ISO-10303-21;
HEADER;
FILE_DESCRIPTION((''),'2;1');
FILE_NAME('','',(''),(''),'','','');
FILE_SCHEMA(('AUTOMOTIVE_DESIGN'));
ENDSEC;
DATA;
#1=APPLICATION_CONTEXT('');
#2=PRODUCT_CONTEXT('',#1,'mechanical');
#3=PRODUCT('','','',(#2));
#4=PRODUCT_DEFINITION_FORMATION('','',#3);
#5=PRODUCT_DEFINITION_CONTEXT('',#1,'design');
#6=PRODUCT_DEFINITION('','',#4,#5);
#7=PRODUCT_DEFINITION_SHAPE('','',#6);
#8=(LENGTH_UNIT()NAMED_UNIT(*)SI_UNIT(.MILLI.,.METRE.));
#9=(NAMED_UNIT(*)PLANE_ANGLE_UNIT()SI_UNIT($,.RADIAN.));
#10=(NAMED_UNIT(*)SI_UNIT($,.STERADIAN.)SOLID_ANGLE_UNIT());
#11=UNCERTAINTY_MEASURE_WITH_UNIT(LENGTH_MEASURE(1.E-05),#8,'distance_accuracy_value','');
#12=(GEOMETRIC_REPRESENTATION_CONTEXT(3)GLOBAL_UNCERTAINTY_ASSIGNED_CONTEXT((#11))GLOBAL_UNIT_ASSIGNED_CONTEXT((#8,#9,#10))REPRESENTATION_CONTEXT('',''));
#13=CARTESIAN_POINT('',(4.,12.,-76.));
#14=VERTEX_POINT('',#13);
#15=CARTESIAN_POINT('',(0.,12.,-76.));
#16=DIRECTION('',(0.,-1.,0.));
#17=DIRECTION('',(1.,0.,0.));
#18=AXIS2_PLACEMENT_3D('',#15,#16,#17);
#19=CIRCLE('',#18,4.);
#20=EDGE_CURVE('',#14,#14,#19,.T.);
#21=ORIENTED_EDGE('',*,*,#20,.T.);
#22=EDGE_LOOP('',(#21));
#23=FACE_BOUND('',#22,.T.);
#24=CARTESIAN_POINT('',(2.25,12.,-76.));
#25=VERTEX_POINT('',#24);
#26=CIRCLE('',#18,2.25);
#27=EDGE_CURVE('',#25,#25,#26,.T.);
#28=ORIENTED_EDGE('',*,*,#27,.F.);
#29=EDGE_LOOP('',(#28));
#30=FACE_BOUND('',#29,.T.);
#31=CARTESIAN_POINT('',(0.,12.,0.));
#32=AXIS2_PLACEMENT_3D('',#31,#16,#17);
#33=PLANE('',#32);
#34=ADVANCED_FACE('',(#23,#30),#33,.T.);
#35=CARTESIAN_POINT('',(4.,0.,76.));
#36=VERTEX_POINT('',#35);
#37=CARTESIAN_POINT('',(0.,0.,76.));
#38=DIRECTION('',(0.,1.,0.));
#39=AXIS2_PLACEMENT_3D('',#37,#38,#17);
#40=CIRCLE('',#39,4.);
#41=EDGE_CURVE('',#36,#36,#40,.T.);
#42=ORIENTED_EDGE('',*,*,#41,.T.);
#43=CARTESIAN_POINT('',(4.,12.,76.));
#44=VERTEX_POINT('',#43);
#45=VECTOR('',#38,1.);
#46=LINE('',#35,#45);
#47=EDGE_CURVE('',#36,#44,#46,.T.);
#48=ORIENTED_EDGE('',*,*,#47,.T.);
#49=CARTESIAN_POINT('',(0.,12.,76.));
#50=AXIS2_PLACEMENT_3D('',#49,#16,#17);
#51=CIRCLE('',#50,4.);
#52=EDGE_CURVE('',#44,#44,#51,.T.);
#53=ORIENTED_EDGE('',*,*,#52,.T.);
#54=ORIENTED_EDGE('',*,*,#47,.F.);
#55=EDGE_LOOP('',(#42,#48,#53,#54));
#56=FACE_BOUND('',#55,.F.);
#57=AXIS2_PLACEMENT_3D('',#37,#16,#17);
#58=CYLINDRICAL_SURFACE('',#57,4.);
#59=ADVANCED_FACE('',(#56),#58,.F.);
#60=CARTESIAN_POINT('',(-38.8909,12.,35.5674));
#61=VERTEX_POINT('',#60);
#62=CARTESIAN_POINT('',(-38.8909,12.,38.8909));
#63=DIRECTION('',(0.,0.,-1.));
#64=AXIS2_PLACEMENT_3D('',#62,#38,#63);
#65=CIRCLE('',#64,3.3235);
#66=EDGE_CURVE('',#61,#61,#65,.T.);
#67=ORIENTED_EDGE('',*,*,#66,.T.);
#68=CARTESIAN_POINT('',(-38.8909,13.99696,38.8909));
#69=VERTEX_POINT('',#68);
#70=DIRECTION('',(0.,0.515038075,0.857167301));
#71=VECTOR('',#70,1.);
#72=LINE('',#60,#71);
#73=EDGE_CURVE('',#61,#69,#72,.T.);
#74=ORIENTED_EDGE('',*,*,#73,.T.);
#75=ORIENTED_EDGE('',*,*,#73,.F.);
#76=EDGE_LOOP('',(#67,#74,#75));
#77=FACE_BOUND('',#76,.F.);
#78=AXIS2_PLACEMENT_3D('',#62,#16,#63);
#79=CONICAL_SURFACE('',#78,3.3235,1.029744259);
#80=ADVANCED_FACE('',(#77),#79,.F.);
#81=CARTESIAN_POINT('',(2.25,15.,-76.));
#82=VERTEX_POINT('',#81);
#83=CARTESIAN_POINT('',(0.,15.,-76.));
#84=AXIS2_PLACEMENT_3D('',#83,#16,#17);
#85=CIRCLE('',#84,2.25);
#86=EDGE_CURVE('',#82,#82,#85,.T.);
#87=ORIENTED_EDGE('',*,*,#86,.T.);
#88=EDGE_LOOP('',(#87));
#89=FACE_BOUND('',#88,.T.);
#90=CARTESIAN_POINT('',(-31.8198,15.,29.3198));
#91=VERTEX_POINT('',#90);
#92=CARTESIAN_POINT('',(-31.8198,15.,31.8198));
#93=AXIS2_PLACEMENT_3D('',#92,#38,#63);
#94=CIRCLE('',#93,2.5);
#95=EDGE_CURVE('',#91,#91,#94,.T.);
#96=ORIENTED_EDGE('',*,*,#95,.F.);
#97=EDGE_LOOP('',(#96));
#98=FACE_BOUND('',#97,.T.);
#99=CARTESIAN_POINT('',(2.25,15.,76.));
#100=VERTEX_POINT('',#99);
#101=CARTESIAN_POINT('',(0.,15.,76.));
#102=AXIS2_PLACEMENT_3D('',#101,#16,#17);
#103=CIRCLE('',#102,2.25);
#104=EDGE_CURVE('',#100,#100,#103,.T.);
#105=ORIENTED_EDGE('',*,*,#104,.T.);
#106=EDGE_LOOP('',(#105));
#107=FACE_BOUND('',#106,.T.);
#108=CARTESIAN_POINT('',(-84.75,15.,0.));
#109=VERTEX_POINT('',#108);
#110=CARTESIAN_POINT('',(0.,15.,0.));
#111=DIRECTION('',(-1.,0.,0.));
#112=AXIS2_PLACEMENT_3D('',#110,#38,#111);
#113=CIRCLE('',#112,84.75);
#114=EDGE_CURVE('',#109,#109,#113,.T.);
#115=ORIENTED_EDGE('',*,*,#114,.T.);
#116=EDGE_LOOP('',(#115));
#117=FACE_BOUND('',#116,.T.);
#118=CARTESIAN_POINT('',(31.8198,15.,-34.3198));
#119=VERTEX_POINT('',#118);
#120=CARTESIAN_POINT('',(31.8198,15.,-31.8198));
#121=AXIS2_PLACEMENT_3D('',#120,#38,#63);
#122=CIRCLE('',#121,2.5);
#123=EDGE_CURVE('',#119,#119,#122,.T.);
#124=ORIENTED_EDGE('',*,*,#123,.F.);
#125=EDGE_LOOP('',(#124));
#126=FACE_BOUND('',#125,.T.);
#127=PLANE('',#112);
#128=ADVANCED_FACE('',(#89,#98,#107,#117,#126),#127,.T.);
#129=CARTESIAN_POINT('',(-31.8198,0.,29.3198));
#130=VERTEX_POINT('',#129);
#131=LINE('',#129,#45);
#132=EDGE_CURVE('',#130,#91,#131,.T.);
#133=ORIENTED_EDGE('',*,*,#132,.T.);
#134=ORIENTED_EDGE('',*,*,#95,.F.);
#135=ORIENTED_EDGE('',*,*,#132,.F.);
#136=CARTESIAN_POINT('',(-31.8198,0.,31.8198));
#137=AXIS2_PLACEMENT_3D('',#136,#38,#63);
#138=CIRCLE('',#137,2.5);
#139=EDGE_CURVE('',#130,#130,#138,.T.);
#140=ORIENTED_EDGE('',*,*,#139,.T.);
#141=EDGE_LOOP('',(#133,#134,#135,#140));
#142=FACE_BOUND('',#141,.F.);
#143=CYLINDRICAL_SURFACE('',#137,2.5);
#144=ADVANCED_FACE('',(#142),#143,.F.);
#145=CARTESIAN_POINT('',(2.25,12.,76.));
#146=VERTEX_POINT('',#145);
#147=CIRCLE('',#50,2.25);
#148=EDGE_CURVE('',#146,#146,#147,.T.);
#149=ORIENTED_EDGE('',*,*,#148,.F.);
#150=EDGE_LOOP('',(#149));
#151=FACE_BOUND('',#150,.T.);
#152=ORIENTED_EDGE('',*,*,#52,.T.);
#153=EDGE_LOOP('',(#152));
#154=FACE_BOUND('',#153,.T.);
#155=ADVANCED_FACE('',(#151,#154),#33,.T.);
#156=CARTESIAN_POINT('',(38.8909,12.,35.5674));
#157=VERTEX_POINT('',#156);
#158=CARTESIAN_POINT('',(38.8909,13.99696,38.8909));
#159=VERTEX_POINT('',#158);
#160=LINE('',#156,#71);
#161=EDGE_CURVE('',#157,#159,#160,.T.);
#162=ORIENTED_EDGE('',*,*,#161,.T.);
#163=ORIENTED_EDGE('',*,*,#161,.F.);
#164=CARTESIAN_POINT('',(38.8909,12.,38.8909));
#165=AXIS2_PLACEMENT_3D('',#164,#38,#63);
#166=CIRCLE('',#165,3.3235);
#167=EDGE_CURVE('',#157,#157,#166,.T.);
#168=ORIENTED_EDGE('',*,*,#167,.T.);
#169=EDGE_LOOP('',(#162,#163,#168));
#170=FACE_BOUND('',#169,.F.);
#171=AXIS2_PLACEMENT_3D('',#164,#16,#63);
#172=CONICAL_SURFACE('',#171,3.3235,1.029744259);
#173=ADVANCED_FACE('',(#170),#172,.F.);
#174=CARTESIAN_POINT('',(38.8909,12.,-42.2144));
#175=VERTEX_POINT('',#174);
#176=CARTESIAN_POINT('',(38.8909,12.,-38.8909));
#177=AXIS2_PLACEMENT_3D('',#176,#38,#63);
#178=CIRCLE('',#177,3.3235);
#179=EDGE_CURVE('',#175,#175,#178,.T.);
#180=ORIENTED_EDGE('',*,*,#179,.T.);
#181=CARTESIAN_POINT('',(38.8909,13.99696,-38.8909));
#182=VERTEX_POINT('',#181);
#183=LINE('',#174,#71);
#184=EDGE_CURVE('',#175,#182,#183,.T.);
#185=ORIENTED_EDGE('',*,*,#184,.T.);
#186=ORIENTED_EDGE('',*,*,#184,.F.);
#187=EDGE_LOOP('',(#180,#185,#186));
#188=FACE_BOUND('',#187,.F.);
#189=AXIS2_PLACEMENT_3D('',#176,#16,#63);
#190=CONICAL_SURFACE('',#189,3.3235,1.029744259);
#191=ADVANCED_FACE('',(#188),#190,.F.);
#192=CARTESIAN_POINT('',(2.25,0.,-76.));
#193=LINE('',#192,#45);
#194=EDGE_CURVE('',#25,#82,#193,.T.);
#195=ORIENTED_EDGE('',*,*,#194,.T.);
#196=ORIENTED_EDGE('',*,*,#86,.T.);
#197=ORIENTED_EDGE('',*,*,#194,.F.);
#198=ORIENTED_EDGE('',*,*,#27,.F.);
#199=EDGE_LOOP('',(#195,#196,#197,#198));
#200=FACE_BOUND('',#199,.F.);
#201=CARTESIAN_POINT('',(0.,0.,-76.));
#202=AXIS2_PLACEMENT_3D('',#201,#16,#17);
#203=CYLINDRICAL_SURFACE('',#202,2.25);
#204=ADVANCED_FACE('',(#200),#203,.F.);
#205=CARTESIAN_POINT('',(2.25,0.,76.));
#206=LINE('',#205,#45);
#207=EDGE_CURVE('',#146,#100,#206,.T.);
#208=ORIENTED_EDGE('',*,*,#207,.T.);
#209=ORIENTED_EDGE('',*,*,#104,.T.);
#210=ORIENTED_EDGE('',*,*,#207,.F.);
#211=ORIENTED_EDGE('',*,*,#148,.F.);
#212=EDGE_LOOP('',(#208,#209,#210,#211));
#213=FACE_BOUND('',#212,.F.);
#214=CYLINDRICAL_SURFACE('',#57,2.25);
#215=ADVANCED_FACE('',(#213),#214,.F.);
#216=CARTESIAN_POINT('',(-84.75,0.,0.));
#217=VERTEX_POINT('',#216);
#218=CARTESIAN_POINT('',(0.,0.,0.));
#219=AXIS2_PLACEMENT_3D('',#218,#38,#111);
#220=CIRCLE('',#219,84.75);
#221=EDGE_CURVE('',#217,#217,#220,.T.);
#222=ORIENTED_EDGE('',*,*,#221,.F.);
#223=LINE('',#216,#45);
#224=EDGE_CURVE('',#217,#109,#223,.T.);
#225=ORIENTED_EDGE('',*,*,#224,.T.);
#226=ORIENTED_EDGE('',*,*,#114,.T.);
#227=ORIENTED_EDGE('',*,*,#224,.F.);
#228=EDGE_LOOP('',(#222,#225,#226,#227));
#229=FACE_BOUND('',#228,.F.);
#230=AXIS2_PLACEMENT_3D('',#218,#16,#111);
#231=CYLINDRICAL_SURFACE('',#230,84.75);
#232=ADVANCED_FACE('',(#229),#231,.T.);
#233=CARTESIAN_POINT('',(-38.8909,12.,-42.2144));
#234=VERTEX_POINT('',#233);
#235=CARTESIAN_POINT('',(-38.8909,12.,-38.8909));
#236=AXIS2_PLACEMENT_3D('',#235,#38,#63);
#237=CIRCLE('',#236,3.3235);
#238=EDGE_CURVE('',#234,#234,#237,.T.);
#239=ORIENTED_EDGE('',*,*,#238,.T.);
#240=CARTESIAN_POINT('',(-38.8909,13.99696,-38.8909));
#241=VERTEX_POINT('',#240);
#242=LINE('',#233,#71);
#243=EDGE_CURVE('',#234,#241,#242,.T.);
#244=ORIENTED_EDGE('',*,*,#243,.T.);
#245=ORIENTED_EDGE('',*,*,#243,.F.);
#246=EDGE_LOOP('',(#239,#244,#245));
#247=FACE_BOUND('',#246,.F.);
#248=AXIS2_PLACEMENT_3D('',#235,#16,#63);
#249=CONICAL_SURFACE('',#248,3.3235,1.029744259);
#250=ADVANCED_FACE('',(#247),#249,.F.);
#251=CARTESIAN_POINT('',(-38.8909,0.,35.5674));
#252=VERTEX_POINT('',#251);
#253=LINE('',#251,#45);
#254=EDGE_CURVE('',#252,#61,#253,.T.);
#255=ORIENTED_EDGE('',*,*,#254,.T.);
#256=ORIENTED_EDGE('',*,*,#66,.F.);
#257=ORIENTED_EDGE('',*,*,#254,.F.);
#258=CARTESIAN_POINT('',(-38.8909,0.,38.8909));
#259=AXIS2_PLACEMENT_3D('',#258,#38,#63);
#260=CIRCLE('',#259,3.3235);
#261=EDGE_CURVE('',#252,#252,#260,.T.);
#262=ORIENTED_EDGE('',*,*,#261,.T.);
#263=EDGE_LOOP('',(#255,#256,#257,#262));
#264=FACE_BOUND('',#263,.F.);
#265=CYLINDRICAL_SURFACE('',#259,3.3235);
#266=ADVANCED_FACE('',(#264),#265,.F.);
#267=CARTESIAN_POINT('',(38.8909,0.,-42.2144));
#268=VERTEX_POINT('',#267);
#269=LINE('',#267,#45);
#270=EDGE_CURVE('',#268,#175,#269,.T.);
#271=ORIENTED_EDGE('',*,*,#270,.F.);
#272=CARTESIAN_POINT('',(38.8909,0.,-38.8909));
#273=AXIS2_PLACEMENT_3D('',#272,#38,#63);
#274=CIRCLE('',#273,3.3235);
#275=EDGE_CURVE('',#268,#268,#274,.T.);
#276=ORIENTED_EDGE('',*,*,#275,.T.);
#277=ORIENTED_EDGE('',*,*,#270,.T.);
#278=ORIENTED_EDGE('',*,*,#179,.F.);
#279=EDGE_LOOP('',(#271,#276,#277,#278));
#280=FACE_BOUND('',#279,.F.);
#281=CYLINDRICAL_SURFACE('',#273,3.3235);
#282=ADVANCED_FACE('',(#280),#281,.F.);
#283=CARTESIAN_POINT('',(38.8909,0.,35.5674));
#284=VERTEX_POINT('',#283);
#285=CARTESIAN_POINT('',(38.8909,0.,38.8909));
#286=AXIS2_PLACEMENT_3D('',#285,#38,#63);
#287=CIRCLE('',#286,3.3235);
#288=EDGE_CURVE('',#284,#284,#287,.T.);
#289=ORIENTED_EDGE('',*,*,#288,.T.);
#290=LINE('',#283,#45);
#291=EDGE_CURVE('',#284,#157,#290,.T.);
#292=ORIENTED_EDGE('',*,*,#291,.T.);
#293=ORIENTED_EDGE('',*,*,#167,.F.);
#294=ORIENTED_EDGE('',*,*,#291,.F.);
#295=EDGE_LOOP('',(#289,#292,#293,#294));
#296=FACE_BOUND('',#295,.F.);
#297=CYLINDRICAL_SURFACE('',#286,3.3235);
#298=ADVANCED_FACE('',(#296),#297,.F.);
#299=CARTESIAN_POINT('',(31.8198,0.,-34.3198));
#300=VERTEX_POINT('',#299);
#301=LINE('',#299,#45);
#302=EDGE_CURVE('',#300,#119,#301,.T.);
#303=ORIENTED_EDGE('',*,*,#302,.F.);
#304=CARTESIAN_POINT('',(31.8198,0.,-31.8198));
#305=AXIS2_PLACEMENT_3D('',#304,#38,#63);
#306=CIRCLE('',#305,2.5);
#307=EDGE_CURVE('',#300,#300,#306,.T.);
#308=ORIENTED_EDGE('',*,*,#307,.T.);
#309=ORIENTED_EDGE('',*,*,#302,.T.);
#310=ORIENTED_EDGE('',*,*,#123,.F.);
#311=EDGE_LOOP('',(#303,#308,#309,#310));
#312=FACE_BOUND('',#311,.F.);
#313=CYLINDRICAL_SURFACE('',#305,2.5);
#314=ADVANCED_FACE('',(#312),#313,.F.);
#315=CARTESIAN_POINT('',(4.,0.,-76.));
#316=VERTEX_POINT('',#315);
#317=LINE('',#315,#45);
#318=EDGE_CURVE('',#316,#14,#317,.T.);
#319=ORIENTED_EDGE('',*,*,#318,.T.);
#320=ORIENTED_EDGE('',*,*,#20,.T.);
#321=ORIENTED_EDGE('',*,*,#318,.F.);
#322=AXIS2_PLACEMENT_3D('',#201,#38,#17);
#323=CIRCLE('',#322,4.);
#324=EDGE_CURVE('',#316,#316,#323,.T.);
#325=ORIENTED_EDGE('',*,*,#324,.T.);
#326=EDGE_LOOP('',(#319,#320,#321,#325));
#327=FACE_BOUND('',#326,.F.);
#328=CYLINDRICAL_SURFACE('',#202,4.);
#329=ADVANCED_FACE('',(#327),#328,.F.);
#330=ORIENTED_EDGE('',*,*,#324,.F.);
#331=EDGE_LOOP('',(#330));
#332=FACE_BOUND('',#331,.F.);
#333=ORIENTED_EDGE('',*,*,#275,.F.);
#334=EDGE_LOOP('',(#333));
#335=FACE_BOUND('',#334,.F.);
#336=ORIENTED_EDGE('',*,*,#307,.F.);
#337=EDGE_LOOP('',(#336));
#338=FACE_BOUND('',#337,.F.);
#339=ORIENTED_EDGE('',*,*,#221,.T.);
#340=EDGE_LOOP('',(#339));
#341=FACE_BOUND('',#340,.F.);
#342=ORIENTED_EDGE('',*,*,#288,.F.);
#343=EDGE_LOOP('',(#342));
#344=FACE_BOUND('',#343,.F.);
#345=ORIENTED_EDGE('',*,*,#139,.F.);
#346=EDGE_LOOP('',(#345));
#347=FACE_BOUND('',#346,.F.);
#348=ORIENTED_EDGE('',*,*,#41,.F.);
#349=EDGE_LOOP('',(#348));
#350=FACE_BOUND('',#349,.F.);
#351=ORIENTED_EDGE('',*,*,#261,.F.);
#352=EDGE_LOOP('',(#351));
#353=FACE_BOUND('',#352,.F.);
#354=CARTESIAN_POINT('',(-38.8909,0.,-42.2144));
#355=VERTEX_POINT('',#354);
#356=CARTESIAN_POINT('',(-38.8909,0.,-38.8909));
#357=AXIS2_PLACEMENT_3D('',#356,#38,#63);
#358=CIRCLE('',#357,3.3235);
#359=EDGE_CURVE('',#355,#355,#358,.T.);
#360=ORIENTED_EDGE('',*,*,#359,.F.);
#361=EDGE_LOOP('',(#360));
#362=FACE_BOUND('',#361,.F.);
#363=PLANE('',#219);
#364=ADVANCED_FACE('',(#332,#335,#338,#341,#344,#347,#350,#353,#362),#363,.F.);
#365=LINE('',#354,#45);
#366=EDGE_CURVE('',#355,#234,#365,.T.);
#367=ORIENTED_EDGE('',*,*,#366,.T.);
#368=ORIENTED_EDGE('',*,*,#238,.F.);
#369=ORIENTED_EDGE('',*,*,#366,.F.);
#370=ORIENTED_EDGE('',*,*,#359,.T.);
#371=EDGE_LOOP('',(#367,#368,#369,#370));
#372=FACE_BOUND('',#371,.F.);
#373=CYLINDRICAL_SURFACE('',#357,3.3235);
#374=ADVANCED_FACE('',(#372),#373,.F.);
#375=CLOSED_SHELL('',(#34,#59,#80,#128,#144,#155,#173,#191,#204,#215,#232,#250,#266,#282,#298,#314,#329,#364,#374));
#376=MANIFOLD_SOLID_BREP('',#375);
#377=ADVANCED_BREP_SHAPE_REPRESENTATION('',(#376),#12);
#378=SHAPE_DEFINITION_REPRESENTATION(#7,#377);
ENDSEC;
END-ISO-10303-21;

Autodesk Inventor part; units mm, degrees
ref_plane "YZ Plane" through (0, 0, 0) normal (1, 0, 0) x (0, 1, 0)
ref_plane "XZ Plane" through (0, 0, 0) normal (0, 1, 0) x (-1, 0, 0)
ref_plane "XY Plane" through (0, 0, 0) normal (0, 0, 1) x (1, 0, 0)
sketch "Sketch1" plane through (0, 0, 0) normal (0, 1, 0) x (-1, 0, 0)
  circle A0 centre (0, 0) radius 84.75
  dimension "d0" = 169.5
extrude "Extrusion1" add sketch "Sketch1" along normal blind 15
sketch "Sketch2" plane through (0, 0, 0) normal (0, -1, 0) x (1, 0, 0)
  circle A0 centre (0, 0) radius 76
  circle A1 centre (0, 76) radius 4
  circle A2 centre (0, -76) radius 4
  circle A3 centre (0, 76) radius 2.25
  circle A4 centre (0, -76) radius 2.25
  dimension "d3" = 152
  dimension "d4" = 8
  dimension "d5" = 8
  dimension "d6" = 4.5
  dimension "d7" = 4.5
extrude "Extrusion2" cut sketch "Sketch2" against normal through all contours A3 A0 | A0 A3 | A4 A0 | A0 A4
extrude "Extrusion3" cut sketch "Sketch2" against normal blind 12 contours A1 A0 A3 | A0 A3 A1 | A2 A0 A4 | A0 A4 A2 | A3 A0 | A0 A3 | A4 A0 | A0 A4
sketch "Sketch3" plane through (0, 0, 0) normal (0, -1, 0) x (1, 0, 0)
  circle A0 centre (0, 0) radius 84.75
  circle A1 centre (0, 0) radius 20
  circle A2 centre (0, -20) radius 4
  circle A3 centre (20, 0) radius 4
  circle A4 centre (0, 20) radius 4
  circle A5 centre (-20, 0) radius 4
  line L0 (55, 55) -> (-55, 55)
  line L1 (-55, 55) -> (-55, -55)
  line L2 (-55, -55) -> (55, -55)
  line L3 (55, -55) -> (55, 55)
  line L4 (55, 55) -> (-55, -55) construction
  line L5 (-55, 55) -> (55, -55) construction
  circle A6 centre (0, 0) radius 55
  circle A7 centre (-38.8909, -38.8909) radius 4
  circle A8 centre (38.8909, -38.8909) radius 4
  circle A9 centre (38.8909, 38.8909) radius 4
  circle A10 centre (-38.8909, 38.8909) radius 4
  dimension "d12" = 40
  dimension "d13" = 8
  dimension "d16" = 360
  dimension "d21" = 110
  dimension "d22" = 110
  dimension "d23" = 110
  dimension "d24" = 8
  dimension "d25" = 8
  dimension "d26" = 8
  dimension "d27" = 8
hole "Hole1" at (38.8909, 0, -38.8909) at (38.8909, 0, 38.8909) at (-38.8909, 0, 38.8909) at (-38.8909, 0, -38.8909) direction (0, 1, 0) diameter 6.647 depth 12 tip angle 118 thread size "M8x1.25" class "6H" standard "ANSI Metric M Profile"
sketch "Sketch4" plane through (0, 0, 0) normal (0, -1, 0) x (1, 0, 0)
  circle A0 centre (0, 0) radius 45
  circle A1 centre (-45, 0) radius 2.5
  circle A2 centre (-41.5746, -17.2208) radius 2.5
  circle A3 centre (-31.8198, -31.8198) radius 2.5
  circle A4 centre (-17.2208, -41.5746) radius 2.5
  circle A5 centre (0, -45) radius 2.5
  circle A6 centre (17.2208, -41.5746) radius 2.5
  circle A7 centre (31.8198, -31.8198) radius 2.5
  circle A8 centre (41.5746, -17.2208) radius 2.5
  circle A9 centre (45, 0) radius 2.5
  circle A10 centre (41.5746, 17.2208) radius 2.5
  circle A11 centre (31.8198, 31.8198) radius 2.5
  circle A12 centre (17.2208, 41.5746) radius 2.5
  circle A13 centre (0, 45) radius 2.5
  circle A14 centre (-17.2208, 41.5746) radius 2.5
  circle A15 centre (-31.8198, 31.8198) radius 2.5
  circle A16 centre (-41.5746, 17.2208) radius 2.5
  dimension "d35" = 90
  dimension "d36" = 5
  dimension "d39" = 360
hole "Hole2" at (-31.8198, 0, 31.8198) at (31.8198, 0, -31.8198) direction (0, 1, 0) diameter 5 end through all
properties part number "substrate plate"
